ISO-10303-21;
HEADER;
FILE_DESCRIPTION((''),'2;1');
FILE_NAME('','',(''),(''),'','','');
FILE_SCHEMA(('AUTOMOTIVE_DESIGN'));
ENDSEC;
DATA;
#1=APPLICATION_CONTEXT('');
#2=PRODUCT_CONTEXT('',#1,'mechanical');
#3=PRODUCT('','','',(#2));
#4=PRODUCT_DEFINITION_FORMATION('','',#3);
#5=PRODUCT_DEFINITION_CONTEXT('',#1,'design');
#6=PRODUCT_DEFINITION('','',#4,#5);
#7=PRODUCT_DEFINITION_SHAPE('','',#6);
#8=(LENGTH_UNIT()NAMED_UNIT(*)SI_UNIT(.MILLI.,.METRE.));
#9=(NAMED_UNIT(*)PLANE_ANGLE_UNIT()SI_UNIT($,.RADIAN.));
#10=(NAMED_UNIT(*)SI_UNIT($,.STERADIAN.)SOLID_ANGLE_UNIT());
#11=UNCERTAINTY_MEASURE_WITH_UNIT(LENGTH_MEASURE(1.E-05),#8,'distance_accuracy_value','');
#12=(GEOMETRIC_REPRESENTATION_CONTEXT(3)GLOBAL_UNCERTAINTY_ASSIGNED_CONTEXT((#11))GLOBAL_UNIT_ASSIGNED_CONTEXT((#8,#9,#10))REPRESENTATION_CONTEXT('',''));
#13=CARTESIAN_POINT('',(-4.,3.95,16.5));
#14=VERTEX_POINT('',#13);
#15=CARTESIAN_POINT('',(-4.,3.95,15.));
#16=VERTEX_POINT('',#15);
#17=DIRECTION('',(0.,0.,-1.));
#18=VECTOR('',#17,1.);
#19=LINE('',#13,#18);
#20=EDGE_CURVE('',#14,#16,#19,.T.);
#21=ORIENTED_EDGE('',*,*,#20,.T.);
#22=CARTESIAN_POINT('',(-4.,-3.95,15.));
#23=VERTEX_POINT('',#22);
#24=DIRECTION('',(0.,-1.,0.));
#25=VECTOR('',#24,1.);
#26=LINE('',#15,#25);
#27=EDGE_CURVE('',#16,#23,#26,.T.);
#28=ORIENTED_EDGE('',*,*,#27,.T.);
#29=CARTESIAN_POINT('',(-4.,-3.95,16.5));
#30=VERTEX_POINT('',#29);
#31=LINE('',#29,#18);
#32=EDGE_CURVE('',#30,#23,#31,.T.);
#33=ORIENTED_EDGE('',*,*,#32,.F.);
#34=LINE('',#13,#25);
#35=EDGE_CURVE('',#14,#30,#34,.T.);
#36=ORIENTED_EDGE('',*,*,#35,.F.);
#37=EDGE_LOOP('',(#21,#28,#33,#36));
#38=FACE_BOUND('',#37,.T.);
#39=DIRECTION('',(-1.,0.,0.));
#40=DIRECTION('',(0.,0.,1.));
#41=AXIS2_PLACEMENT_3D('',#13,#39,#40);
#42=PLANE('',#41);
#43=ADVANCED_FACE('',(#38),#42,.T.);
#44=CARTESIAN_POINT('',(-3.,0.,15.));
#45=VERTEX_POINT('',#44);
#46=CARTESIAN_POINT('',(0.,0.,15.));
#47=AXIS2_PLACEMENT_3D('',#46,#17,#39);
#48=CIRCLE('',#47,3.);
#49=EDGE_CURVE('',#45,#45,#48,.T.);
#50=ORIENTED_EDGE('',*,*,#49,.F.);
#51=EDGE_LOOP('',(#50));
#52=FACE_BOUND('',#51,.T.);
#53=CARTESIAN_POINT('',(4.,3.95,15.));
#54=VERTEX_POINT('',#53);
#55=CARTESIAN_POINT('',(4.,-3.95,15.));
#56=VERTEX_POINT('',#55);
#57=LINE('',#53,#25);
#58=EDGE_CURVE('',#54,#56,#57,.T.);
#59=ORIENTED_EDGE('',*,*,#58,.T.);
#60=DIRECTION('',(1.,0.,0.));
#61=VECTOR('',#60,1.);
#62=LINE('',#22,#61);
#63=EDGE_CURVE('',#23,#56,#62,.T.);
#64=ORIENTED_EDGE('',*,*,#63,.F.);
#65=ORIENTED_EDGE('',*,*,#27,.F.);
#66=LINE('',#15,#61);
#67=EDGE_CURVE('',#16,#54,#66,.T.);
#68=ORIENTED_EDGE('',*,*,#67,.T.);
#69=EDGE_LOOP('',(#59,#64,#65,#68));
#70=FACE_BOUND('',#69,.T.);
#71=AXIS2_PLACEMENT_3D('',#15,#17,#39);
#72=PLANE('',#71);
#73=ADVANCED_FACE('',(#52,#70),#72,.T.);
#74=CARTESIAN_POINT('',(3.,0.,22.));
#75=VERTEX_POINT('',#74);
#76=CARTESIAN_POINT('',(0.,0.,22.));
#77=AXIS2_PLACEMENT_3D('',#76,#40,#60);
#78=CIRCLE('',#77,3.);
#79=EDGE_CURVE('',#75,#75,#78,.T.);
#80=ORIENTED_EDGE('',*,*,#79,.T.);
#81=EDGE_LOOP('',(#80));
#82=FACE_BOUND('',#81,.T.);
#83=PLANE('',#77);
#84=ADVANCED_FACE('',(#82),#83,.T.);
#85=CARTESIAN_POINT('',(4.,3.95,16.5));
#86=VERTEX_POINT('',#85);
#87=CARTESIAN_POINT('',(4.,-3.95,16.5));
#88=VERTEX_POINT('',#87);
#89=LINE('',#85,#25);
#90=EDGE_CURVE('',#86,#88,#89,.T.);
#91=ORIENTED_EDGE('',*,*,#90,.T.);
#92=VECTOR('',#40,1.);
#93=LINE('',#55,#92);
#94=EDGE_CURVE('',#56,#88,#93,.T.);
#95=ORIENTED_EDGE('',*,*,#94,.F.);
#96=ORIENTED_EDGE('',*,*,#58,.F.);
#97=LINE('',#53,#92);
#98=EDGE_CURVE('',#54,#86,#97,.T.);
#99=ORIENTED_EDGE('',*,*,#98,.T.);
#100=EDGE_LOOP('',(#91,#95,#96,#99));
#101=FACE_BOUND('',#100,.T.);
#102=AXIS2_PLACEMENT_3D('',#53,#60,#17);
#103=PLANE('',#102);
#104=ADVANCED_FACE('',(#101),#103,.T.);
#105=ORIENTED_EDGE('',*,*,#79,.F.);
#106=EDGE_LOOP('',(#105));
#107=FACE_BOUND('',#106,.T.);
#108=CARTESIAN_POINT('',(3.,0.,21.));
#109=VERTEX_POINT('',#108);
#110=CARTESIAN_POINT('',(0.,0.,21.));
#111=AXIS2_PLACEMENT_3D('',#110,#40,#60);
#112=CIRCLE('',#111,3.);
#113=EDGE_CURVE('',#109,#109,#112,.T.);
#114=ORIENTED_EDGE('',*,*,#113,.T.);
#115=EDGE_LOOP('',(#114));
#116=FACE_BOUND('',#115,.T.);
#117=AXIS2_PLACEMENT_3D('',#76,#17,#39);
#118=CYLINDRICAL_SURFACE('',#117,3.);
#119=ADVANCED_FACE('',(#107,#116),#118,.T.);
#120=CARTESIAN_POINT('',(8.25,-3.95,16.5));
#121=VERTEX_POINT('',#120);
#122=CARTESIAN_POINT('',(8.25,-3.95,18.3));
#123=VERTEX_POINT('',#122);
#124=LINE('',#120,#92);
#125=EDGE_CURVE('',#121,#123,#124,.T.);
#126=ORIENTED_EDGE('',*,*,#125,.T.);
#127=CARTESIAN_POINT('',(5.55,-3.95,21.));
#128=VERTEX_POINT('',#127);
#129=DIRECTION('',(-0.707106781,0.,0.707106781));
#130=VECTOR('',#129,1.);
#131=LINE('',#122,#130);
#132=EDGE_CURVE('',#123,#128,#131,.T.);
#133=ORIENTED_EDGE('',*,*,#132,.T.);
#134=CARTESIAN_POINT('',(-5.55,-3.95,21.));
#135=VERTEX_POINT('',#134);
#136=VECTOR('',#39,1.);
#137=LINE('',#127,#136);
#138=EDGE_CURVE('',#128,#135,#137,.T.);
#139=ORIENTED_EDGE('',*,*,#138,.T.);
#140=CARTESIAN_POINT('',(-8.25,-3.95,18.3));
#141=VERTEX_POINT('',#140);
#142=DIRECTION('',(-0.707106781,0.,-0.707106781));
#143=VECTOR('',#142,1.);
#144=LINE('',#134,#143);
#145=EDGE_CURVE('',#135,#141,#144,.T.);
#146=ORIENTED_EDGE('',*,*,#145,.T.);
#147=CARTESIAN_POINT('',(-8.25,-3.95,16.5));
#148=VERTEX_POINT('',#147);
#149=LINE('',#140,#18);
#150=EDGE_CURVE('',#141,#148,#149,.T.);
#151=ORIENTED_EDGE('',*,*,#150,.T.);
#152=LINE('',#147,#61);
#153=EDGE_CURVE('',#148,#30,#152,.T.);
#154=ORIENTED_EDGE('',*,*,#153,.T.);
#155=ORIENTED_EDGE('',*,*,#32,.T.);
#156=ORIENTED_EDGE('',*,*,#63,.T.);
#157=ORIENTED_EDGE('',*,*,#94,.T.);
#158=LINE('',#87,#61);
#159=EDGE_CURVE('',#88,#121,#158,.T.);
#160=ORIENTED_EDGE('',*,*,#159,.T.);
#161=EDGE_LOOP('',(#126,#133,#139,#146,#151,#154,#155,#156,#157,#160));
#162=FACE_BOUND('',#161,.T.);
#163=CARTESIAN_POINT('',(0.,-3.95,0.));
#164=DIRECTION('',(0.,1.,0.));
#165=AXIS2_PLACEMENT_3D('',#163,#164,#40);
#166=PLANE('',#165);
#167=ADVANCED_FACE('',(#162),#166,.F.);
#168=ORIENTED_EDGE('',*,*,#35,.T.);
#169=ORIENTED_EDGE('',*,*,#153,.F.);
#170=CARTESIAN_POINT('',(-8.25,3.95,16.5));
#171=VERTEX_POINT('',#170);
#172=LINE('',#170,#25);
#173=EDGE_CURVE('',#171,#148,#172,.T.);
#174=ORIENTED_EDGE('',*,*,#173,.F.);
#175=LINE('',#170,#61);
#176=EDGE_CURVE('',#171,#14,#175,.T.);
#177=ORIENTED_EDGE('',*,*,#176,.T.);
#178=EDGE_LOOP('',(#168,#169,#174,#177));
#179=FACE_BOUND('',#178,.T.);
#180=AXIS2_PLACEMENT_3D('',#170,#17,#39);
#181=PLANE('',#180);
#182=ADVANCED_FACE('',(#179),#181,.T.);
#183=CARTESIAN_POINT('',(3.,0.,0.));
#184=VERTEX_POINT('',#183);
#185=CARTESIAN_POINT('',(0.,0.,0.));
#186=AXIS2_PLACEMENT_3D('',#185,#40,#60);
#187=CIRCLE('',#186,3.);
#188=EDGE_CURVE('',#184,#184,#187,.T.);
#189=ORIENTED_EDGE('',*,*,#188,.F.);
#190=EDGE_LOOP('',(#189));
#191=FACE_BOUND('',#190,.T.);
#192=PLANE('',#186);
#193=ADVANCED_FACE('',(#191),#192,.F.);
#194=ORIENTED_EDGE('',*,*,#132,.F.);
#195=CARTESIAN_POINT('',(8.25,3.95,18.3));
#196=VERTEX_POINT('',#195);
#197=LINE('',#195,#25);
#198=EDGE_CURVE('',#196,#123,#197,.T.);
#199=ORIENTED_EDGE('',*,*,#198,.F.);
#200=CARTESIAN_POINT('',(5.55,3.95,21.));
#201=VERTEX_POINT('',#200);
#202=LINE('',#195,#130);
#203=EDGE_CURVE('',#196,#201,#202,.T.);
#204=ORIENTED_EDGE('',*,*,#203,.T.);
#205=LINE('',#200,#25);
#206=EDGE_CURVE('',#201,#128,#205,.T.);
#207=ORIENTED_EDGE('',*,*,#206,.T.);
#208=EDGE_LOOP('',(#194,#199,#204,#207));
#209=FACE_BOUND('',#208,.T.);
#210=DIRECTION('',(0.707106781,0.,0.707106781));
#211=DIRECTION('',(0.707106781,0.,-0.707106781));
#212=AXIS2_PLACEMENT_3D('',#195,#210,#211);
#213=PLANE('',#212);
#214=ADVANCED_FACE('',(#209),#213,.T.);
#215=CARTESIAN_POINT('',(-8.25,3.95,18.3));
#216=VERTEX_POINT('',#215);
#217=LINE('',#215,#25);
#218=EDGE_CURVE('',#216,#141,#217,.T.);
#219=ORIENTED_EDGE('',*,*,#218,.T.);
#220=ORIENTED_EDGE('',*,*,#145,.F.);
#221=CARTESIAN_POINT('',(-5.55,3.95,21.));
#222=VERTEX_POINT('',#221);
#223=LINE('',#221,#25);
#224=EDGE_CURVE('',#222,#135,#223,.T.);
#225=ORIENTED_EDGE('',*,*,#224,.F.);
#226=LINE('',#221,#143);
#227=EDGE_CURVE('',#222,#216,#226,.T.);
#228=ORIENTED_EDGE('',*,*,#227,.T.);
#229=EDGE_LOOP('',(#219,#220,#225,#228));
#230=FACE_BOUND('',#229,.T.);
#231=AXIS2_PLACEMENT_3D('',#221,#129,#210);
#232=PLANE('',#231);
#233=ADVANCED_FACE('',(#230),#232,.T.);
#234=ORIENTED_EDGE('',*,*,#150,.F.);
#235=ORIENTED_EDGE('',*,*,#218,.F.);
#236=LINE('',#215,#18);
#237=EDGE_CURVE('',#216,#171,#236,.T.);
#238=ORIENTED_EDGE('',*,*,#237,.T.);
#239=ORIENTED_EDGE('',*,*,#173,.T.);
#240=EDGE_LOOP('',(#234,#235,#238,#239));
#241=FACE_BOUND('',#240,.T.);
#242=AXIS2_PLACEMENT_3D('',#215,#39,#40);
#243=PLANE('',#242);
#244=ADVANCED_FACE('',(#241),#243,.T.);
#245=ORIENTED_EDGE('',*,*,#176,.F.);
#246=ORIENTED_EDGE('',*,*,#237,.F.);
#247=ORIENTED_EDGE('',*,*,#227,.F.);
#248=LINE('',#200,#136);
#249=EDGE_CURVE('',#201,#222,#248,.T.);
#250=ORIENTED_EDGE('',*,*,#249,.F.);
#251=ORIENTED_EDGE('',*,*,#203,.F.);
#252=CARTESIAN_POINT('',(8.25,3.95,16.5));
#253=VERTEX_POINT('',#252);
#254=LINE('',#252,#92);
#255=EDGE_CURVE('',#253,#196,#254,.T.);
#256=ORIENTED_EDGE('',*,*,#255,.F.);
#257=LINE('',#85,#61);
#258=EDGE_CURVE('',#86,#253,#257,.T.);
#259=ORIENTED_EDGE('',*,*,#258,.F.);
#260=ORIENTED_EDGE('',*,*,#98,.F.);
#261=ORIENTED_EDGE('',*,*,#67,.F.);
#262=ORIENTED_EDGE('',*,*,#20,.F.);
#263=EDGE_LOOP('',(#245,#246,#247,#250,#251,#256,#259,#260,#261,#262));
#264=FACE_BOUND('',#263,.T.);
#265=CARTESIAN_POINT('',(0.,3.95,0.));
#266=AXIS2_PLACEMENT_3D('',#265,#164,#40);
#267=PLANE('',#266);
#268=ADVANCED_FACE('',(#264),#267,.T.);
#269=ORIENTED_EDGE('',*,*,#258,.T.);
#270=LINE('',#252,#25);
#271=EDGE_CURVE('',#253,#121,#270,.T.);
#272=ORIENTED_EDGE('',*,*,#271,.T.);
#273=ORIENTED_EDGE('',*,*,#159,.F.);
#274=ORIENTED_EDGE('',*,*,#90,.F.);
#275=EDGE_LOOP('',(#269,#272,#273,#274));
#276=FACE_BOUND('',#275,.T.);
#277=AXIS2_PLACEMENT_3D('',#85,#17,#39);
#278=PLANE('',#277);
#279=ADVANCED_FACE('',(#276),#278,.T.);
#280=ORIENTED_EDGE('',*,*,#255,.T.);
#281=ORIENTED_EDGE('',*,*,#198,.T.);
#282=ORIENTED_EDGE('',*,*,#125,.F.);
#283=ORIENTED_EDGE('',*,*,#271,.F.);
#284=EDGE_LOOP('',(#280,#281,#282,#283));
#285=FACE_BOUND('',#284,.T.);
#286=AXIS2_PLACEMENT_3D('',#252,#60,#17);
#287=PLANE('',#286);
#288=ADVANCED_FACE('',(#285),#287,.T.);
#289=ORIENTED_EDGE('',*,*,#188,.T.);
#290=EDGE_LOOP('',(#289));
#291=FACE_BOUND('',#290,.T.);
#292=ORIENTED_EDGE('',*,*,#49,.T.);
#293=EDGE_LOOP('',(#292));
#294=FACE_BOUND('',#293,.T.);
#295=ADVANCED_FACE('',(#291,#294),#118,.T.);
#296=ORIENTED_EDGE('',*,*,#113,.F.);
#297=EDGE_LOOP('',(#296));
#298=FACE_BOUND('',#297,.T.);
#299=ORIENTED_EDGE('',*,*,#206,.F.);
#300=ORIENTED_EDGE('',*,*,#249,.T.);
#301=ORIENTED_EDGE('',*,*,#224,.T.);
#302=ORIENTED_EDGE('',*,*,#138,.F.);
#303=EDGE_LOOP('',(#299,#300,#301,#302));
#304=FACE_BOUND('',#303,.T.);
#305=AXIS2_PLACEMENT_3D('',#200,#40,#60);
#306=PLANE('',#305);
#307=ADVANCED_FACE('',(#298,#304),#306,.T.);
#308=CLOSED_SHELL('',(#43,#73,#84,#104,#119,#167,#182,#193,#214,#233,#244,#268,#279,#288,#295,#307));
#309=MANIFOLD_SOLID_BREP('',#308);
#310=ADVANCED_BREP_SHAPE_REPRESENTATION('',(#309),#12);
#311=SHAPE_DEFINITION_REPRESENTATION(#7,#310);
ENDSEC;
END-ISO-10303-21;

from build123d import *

# Parameters (mm, degrees)
SKETCH1_R           = 3
BOSS_EXTRUDE1_DEPTH = 22
BOSS_EXTRUDE2_DEPTH = 3.95


with BuildPart() as part:
    # Sketch1 → Boss-Extrude1 (new body)
    with BuildSketch(Plane.XY):
        Circle(SKETCH1_R)
    extrude(amount=BOSS_EXTRUDE1_DEPTH)

    # Sketch2 → Boss-Extrude2 (add, symmetric)
    with BuildSketch(Plane(origin=(0, 0, 0), x_dir=(1, 0, 0), z_dir=(0, 1, 0))):
        Polygon((-5.55, -21), (-8.25, -18.3), (-8.25, -16.5), (-4, -16.5), (-4, -15), (4, -15), (4, -16.5), (8.25, -16.5), (8.25, -18.3), (5.55, -21), align=None)
    extrude(amount=BOSS_EXTRUDE2_DEPTH, both=True)


solid = part.part
